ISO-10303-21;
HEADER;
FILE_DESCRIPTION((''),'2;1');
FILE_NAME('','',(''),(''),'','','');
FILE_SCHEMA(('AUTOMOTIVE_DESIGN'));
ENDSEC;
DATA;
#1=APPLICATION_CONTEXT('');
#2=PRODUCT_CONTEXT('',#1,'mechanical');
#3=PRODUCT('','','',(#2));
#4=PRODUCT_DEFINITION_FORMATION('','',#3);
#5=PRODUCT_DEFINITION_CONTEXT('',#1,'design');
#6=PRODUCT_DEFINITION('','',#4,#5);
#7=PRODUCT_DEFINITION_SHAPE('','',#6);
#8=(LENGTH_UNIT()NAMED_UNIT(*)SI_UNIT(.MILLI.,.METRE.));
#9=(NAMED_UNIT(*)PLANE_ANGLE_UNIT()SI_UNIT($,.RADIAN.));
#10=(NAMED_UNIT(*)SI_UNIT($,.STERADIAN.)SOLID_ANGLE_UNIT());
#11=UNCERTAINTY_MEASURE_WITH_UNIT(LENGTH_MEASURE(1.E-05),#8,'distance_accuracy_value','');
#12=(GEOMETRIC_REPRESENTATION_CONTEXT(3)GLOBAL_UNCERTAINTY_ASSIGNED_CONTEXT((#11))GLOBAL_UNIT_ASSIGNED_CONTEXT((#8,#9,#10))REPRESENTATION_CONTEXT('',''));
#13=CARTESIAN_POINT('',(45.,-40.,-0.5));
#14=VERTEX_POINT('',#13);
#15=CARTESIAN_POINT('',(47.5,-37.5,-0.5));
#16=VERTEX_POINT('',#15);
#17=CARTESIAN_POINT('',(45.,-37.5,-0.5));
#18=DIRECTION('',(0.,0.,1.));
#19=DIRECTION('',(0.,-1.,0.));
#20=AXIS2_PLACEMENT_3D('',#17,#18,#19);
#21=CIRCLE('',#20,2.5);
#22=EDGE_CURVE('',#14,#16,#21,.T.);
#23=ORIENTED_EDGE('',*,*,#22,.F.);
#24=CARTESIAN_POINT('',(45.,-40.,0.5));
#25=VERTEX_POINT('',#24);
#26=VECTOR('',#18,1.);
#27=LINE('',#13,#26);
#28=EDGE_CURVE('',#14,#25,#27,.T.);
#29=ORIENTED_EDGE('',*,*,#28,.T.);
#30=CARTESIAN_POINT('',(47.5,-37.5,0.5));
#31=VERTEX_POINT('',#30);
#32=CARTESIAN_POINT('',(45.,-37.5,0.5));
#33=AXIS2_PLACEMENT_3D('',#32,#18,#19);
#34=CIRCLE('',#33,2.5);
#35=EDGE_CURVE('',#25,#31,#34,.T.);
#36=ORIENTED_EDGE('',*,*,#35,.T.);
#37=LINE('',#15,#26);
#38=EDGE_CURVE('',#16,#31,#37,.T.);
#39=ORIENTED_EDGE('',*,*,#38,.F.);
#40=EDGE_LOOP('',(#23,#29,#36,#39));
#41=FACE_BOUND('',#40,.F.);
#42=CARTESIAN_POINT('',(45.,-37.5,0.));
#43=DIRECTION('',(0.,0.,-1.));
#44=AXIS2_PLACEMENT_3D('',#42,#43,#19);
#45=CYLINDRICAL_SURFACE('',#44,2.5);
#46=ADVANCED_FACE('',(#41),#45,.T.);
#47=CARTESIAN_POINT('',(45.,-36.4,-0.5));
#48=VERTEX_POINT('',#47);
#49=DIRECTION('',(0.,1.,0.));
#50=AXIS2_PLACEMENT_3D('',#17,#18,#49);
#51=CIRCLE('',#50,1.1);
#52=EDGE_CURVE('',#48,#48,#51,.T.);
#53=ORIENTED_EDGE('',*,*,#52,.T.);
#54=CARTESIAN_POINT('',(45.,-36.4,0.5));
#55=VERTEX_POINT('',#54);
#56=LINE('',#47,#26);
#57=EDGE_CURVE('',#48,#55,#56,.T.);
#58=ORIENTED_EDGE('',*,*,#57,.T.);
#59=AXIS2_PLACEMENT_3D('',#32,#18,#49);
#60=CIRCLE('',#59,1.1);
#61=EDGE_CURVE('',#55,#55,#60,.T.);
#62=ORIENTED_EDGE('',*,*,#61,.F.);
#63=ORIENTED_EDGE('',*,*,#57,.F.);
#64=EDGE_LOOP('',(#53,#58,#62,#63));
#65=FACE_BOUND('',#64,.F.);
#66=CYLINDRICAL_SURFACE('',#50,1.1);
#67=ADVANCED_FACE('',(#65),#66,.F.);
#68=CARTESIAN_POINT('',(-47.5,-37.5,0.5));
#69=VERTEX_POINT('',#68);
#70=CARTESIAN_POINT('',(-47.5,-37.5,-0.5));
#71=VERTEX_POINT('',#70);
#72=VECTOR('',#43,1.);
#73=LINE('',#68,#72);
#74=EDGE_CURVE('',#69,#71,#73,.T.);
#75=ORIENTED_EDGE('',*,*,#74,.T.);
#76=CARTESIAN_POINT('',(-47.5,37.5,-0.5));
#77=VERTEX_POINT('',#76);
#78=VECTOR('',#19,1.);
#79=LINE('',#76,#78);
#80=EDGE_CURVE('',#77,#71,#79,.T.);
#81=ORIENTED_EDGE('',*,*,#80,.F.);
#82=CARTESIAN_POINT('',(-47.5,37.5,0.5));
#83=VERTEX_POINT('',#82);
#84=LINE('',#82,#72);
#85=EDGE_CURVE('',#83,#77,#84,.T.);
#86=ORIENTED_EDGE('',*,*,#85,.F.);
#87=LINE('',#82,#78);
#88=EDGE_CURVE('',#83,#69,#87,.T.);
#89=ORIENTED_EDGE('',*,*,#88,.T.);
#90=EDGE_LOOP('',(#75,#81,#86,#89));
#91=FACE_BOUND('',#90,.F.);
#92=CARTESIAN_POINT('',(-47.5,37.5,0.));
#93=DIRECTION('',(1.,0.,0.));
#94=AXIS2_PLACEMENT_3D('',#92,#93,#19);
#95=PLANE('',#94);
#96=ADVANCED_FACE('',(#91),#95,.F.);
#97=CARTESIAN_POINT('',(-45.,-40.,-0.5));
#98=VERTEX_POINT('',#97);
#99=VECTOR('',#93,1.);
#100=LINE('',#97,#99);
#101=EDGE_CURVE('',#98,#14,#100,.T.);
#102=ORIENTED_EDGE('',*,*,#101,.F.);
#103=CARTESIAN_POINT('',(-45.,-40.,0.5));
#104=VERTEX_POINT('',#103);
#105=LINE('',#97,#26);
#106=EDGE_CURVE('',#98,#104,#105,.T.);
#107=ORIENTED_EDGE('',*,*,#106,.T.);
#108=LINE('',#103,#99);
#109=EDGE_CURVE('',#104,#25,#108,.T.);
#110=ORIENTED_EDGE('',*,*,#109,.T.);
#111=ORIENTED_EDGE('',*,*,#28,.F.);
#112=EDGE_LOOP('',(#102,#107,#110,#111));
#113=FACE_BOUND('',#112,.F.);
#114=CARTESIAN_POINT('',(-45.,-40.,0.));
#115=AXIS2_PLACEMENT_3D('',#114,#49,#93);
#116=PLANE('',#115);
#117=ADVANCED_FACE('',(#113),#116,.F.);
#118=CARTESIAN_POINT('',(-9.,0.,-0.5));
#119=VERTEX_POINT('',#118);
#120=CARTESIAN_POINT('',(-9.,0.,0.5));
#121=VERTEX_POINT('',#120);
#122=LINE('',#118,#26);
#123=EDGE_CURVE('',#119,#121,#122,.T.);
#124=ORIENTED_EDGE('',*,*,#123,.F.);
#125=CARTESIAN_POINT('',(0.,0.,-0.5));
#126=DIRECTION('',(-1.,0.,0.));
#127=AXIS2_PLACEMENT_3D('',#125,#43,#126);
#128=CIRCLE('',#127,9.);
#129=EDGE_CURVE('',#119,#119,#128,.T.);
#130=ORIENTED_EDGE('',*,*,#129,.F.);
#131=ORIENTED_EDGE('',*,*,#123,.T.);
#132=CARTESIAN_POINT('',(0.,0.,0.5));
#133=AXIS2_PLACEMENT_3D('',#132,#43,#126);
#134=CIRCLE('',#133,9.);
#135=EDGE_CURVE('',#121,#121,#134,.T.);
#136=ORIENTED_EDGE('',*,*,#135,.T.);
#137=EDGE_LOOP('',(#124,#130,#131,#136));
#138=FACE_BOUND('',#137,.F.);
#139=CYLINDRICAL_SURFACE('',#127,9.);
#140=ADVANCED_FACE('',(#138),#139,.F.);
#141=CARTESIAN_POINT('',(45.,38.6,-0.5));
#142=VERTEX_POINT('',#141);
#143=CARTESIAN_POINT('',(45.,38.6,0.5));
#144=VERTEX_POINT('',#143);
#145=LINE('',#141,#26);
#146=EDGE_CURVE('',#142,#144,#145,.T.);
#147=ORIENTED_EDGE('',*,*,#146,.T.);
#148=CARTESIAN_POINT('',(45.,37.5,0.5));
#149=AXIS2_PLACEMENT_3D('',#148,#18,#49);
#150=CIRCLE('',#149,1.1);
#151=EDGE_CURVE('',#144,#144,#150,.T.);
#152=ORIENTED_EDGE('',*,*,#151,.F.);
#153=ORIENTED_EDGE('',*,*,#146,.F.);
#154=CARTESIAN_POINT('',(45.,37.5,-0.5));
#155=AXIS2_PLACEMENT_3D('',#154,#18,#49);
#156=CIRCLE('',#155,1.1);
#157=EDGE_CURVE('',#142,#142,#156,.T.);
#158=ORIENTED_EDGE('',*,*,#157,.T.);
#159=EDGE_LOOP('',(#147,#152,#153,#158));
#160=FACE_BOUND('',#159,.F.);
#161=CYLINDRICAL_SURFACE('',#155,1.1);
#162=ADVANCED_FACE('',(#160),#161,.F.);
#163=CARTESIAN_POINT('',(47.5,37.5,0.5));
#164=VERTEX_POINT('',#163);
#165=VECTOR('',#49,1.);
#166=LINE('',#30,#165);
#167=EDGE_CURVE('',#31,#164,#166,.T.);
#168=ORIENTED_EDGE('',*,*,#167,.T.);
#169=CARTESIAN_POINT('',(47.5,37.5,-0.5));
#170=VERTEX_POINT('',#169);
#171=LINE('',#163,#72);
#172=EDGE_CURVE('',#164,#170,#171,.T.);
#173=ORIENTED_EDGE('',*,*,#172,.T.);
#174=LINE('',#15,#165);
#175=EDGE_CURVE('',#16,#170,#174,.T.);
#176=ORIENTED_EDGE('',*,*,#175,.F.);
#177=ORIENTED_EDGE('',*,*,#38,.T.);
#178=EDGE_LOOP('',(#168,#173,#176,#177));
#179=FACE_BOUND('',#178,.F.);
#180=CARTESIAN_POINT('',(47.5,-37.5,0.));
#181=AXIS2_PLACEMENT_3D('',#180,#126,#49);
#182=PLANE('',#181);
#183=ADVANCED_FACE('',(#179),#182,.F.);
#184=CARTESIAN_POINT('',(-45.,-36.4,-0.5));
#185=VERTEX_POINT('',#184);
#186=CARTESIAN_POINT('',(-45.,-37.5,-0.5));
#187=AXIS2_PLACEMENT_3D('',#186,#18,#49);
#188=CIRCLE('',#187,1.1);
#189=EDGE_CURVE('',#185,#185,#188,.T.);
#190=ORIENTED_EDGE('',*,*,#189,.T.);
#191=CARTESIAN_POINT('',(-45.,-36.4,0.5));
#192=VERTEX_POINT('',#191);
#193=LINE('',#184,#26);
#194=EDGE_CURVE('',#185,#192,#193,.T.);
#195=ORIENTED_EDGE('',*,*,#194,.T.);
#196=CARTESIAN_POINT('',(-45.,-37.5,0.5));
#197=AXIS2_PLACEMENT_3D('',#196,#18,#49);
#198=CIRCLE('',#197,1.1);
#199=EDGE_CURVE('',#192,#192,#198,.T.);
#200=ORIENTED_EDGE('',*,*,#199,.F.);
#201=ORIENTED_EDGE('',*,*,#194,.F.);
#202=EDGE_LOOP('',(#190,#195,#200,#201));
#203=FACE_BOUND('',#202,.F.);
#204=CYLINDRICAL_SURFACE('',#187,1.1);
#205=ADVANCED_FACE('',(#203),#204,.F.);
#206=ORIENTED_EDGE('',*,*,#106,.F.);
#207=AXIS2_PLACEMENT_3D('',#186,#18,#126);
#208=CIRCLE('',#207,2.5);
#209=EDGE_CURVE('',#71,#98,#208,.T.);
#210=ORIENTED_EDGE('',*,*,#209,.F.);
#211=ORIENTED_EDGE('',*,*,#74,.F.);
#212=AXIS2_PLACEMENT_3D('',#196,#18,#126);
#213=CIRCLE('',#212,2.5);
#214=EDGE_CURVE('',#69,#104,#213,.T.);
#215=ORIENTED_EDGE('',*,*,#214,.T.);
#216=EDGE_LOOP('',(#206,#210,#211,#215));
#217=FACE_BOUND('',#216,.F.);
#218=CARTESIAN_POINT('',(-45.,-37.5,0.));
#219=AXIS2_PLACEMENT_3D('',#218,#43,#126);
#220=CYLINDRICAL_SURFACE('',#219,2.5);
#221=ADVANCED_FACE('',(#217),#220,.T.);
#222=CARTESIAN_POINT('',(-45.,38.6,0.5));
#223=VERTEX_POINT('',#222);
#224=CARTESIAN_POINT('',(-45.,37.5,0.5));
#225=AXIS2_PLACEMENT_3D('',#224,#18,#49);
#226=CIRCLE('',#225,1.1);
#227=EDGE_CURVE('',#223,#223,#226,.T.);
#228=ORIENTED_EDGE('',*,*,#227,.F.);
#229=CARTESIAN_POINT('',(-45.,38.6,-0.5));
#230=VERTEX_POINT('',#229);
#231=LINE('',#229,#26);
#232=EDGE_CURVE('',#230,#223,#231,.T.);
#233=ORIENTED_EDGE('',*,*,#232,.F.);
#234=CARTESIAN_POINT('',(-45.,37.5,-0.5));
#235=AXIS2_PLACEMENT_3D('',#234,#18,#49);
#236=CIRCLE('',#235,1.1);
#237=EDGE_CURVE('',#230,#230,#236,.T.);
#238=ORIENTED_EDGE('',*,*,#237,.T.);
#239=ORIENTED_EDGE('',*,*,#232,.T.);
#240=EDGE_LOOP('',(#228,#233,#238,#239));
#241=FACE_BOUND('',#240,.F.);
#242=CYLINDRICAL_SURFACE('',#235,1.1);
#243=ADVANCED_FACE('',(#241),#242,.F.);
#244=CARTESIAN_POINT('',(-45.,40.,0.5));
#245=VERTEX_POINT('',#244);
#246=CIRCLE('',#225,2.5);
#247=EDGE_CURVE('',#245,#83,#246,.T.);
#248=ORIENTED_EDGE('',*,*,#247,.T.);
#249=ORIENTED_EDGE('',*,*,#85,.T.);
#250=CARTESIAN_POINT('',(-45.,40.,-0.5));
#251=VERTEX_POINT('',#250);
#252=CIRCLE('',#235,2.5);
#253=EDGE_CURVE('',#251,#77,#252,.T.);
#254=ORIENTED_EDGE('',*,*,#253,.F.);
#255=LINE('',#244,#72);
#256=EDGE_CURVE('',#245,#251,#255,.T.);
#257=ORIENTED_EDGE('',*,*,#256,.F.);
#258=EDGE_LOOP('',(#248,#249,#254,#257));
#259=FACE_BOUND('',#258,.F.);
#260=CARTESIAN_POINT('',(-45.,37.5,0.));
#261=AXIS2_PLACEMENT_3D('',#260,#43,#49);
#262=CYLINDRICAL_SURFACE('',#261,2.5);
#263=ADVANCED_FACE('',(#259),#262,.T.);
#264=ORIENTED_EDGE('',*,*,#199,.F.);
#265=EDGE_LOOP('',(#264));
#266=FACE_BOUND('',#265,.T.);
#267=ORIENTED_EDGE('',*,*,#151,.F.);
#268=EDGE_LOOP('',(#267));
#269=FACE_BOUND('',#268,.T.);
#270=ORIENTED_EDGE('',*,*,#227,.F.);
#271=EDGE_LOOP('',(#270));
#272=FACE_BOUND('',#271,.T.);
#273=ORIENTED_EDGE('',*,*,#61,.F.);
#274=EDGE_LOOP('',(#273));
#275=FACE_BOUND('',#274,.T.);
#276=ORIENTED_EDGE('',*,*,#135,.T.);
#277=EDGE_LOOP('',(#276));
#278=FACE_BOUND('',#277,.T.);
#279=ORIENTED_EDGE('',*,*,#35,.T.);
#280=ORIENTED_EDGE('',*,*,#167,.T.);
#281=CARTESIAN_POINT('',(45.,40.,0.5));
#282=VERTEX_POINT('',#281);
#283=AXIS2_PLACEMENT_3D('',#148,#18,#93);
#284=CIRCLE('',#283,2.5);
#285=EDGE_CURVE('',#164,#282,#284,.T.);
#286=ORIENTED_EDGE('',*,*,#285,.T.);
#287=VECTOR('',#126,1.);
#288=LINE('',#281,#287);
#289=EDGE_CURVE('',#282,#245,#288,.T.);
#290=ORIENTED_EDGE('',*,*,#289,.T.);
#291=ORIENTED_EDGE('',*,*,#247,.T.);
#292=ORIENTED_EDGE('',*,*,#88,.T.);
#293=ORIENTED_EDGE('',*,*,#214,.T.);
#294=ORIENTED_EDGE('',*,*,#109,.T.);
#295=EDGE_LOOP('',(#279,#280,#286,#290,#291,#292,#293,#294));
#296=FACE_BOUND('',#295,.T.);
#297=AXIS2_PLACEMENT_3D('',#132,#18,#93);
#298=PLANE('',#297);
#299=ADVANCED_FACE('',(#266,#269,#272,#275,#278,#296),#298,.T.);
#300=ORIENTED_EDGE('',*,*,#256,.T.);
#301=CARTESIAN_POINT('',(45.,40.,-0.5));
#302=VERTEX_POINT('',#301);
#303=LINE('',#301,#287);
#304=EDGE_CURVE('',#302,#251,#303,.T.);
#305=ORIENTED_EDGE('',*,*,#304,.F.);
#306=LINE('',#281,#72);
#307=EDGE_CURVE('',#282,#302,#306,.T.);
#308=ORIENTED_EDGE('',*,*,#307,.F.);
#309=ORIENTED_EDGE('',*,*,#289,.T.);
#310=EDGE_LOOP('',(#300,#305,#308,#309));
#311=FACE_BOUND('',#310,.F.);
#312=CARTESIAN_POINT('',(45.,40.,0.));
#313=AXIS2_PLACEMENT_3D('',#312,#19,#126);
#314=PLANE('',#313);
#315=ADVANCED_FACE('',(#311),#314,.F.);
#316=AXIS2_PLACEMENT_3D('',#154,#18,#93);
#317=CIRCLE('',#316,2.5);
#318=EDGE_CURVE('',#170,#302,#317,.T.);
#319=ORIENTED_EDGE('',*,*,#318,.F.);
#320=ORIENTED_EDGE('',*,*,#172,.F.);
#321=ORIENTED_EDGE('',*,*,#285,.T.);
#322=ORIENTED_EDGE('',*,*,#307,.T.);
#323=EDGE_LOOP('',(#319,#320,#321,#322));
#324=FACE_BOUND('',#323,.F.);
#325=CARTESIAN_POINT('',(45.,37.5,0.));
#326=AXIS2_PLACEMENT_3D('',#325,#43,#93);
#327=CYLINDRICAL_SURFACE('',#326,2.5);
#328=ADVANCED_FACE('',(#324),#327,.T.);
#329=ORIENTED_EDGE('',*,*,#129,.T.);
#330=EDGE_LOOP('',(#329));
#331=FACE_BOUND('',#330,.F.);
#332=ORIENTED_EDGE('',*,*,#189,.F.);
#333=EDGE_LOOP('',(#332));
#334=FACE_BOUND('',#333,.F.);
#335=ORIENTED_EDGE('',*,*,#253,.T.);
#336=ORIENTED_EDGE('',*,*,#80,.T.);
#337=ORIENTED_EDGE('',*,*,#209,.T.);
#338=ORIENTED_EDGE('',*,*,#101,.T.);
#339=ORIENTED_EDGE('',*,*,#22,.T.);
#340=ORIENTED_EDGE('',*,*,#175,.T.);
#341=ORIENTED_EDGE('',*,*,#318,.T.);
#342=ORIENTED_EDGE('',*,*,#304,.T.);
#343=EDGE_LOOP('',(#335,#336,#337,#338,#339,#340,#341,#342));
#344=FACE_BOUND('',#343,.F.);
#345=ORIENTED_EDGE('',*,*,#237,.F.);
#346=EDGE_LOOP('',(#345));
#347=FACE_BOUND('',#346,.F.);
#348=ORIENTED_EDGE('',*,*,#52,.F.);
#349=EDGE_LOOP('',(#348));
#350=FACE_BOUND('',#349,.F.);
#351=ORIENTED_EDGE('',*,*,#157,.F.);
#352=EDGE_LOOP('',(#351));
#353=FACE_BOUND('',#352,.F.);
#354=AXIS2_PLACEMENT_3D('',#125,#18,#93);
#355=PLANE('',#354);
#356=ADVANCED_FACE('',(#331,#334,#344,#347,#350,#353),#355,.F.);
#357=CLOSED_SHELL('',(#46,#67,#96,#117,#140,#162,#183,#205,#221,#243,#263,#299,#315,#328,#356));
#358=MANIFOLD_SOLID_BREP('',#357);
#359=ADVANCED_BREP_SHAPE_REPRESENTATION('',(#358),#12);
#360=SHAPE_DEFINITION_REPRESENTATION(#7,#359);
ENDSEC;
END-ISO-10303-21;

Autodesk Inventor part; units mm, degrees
ref_plane "YZ Plane" through (0, 0, 0) normal (1, 0, 0) x (0, 1, 0)
ref_plane "XZ Plane" through (0, 0, 0) normal (0, 1, 0) x (-1, 0, 0)
ref_plane "XY Plane" through (0, 0, 0) normal (0, 0, 1) x (1, 0, 0)
sketch "Sketch1" plane through (0, 0, 0) normal (0, 0, 1) x (1, 0, 0)
  line L0 (-45, -40) -> (45, -40)
  line L1 (47.5, -37.5) -> (47.5, 37.5)
  line L2 (45, 40) -> (-45, 40)
  line L3 (-47.5, 37.5) -> (-47.5, -37.5)
  line L4 (-47.5, -40) -> (47.5, 40) construction
  line L5 (47.5, -40) -> (-47.5, 40) construction
  arc A0 (-45, 40) -> (-47.5, 37.5) centre (-45, 37.5) ccw
  arc A1 (47.5, 37.5) -> (45, 40) centre (45, 37.5) ccw
  arc A2 (45, -40) -> (47.5, -37.5) centre (45, -37.5) ccw
  arc A3 (-47.5, -37.5) -> (-45, -40) centre (-45, -37.5) ccw
  point P0 (0, 0)
  dimension "d0" = 95
  dimension "d1" = 80
  dimension "d2" = 2.5
extrude "Extrusion1" add sketch "Sketch1" along normal mid plane 1
sketch "Sketch2" plane through (0, 0, -0.5) normal (0, 0, -1) x (-1, 0, 0)
  circle A0 centre (0, 0) radius 9
  dimension "d5" = 18
extrude "Extrusion2" cut sketch "Sketch2" against normal through all
sketch "Sketch3" plane through (0, 0, -0.5) normal (0, 0, -1) x (-1, 0, 0)
  circle A0 centre (0, 0) radius 9 projected
  line L0 (47.5, -37.5) -> (47.5, 37.5) projected
  arc A1 (47.5, 37.5) -> (45, 40) centre (45, 37.5) ccw projected
  line L1 (45, 40) -> (-45, 40) projected
  arc A2 (-45, 40) -> (-47.5, 37.5) centre (-45, 37.5) ccw projected
  line L2 (-47.5, 37.5) -> (-47.5, -37.5) projected
  arc A3 (-47.5, -37.5) -> (-45, -40) centre (-45, -37.5) ccw projected
  line L3 (-45, -40) -> (45, -40) projected
  arc A4 (45, -40) -> (47.5, -37.5) centre (45, -37.5) ccw projected
hole "Hole1" at (-45, -37.5, -0.5) at (45, -37.5, -0.5) at (45, 37.5, -0.5) at (-45, 37.5, -0.5) direction (0, 0, 1) diameter 2.2 end through all clearance for "Flat Head Machine Screw" size "M2" standard "Ansi Metric M Profile"
properties part number "Structure_-ZCover" material "Aluminum 6061"
